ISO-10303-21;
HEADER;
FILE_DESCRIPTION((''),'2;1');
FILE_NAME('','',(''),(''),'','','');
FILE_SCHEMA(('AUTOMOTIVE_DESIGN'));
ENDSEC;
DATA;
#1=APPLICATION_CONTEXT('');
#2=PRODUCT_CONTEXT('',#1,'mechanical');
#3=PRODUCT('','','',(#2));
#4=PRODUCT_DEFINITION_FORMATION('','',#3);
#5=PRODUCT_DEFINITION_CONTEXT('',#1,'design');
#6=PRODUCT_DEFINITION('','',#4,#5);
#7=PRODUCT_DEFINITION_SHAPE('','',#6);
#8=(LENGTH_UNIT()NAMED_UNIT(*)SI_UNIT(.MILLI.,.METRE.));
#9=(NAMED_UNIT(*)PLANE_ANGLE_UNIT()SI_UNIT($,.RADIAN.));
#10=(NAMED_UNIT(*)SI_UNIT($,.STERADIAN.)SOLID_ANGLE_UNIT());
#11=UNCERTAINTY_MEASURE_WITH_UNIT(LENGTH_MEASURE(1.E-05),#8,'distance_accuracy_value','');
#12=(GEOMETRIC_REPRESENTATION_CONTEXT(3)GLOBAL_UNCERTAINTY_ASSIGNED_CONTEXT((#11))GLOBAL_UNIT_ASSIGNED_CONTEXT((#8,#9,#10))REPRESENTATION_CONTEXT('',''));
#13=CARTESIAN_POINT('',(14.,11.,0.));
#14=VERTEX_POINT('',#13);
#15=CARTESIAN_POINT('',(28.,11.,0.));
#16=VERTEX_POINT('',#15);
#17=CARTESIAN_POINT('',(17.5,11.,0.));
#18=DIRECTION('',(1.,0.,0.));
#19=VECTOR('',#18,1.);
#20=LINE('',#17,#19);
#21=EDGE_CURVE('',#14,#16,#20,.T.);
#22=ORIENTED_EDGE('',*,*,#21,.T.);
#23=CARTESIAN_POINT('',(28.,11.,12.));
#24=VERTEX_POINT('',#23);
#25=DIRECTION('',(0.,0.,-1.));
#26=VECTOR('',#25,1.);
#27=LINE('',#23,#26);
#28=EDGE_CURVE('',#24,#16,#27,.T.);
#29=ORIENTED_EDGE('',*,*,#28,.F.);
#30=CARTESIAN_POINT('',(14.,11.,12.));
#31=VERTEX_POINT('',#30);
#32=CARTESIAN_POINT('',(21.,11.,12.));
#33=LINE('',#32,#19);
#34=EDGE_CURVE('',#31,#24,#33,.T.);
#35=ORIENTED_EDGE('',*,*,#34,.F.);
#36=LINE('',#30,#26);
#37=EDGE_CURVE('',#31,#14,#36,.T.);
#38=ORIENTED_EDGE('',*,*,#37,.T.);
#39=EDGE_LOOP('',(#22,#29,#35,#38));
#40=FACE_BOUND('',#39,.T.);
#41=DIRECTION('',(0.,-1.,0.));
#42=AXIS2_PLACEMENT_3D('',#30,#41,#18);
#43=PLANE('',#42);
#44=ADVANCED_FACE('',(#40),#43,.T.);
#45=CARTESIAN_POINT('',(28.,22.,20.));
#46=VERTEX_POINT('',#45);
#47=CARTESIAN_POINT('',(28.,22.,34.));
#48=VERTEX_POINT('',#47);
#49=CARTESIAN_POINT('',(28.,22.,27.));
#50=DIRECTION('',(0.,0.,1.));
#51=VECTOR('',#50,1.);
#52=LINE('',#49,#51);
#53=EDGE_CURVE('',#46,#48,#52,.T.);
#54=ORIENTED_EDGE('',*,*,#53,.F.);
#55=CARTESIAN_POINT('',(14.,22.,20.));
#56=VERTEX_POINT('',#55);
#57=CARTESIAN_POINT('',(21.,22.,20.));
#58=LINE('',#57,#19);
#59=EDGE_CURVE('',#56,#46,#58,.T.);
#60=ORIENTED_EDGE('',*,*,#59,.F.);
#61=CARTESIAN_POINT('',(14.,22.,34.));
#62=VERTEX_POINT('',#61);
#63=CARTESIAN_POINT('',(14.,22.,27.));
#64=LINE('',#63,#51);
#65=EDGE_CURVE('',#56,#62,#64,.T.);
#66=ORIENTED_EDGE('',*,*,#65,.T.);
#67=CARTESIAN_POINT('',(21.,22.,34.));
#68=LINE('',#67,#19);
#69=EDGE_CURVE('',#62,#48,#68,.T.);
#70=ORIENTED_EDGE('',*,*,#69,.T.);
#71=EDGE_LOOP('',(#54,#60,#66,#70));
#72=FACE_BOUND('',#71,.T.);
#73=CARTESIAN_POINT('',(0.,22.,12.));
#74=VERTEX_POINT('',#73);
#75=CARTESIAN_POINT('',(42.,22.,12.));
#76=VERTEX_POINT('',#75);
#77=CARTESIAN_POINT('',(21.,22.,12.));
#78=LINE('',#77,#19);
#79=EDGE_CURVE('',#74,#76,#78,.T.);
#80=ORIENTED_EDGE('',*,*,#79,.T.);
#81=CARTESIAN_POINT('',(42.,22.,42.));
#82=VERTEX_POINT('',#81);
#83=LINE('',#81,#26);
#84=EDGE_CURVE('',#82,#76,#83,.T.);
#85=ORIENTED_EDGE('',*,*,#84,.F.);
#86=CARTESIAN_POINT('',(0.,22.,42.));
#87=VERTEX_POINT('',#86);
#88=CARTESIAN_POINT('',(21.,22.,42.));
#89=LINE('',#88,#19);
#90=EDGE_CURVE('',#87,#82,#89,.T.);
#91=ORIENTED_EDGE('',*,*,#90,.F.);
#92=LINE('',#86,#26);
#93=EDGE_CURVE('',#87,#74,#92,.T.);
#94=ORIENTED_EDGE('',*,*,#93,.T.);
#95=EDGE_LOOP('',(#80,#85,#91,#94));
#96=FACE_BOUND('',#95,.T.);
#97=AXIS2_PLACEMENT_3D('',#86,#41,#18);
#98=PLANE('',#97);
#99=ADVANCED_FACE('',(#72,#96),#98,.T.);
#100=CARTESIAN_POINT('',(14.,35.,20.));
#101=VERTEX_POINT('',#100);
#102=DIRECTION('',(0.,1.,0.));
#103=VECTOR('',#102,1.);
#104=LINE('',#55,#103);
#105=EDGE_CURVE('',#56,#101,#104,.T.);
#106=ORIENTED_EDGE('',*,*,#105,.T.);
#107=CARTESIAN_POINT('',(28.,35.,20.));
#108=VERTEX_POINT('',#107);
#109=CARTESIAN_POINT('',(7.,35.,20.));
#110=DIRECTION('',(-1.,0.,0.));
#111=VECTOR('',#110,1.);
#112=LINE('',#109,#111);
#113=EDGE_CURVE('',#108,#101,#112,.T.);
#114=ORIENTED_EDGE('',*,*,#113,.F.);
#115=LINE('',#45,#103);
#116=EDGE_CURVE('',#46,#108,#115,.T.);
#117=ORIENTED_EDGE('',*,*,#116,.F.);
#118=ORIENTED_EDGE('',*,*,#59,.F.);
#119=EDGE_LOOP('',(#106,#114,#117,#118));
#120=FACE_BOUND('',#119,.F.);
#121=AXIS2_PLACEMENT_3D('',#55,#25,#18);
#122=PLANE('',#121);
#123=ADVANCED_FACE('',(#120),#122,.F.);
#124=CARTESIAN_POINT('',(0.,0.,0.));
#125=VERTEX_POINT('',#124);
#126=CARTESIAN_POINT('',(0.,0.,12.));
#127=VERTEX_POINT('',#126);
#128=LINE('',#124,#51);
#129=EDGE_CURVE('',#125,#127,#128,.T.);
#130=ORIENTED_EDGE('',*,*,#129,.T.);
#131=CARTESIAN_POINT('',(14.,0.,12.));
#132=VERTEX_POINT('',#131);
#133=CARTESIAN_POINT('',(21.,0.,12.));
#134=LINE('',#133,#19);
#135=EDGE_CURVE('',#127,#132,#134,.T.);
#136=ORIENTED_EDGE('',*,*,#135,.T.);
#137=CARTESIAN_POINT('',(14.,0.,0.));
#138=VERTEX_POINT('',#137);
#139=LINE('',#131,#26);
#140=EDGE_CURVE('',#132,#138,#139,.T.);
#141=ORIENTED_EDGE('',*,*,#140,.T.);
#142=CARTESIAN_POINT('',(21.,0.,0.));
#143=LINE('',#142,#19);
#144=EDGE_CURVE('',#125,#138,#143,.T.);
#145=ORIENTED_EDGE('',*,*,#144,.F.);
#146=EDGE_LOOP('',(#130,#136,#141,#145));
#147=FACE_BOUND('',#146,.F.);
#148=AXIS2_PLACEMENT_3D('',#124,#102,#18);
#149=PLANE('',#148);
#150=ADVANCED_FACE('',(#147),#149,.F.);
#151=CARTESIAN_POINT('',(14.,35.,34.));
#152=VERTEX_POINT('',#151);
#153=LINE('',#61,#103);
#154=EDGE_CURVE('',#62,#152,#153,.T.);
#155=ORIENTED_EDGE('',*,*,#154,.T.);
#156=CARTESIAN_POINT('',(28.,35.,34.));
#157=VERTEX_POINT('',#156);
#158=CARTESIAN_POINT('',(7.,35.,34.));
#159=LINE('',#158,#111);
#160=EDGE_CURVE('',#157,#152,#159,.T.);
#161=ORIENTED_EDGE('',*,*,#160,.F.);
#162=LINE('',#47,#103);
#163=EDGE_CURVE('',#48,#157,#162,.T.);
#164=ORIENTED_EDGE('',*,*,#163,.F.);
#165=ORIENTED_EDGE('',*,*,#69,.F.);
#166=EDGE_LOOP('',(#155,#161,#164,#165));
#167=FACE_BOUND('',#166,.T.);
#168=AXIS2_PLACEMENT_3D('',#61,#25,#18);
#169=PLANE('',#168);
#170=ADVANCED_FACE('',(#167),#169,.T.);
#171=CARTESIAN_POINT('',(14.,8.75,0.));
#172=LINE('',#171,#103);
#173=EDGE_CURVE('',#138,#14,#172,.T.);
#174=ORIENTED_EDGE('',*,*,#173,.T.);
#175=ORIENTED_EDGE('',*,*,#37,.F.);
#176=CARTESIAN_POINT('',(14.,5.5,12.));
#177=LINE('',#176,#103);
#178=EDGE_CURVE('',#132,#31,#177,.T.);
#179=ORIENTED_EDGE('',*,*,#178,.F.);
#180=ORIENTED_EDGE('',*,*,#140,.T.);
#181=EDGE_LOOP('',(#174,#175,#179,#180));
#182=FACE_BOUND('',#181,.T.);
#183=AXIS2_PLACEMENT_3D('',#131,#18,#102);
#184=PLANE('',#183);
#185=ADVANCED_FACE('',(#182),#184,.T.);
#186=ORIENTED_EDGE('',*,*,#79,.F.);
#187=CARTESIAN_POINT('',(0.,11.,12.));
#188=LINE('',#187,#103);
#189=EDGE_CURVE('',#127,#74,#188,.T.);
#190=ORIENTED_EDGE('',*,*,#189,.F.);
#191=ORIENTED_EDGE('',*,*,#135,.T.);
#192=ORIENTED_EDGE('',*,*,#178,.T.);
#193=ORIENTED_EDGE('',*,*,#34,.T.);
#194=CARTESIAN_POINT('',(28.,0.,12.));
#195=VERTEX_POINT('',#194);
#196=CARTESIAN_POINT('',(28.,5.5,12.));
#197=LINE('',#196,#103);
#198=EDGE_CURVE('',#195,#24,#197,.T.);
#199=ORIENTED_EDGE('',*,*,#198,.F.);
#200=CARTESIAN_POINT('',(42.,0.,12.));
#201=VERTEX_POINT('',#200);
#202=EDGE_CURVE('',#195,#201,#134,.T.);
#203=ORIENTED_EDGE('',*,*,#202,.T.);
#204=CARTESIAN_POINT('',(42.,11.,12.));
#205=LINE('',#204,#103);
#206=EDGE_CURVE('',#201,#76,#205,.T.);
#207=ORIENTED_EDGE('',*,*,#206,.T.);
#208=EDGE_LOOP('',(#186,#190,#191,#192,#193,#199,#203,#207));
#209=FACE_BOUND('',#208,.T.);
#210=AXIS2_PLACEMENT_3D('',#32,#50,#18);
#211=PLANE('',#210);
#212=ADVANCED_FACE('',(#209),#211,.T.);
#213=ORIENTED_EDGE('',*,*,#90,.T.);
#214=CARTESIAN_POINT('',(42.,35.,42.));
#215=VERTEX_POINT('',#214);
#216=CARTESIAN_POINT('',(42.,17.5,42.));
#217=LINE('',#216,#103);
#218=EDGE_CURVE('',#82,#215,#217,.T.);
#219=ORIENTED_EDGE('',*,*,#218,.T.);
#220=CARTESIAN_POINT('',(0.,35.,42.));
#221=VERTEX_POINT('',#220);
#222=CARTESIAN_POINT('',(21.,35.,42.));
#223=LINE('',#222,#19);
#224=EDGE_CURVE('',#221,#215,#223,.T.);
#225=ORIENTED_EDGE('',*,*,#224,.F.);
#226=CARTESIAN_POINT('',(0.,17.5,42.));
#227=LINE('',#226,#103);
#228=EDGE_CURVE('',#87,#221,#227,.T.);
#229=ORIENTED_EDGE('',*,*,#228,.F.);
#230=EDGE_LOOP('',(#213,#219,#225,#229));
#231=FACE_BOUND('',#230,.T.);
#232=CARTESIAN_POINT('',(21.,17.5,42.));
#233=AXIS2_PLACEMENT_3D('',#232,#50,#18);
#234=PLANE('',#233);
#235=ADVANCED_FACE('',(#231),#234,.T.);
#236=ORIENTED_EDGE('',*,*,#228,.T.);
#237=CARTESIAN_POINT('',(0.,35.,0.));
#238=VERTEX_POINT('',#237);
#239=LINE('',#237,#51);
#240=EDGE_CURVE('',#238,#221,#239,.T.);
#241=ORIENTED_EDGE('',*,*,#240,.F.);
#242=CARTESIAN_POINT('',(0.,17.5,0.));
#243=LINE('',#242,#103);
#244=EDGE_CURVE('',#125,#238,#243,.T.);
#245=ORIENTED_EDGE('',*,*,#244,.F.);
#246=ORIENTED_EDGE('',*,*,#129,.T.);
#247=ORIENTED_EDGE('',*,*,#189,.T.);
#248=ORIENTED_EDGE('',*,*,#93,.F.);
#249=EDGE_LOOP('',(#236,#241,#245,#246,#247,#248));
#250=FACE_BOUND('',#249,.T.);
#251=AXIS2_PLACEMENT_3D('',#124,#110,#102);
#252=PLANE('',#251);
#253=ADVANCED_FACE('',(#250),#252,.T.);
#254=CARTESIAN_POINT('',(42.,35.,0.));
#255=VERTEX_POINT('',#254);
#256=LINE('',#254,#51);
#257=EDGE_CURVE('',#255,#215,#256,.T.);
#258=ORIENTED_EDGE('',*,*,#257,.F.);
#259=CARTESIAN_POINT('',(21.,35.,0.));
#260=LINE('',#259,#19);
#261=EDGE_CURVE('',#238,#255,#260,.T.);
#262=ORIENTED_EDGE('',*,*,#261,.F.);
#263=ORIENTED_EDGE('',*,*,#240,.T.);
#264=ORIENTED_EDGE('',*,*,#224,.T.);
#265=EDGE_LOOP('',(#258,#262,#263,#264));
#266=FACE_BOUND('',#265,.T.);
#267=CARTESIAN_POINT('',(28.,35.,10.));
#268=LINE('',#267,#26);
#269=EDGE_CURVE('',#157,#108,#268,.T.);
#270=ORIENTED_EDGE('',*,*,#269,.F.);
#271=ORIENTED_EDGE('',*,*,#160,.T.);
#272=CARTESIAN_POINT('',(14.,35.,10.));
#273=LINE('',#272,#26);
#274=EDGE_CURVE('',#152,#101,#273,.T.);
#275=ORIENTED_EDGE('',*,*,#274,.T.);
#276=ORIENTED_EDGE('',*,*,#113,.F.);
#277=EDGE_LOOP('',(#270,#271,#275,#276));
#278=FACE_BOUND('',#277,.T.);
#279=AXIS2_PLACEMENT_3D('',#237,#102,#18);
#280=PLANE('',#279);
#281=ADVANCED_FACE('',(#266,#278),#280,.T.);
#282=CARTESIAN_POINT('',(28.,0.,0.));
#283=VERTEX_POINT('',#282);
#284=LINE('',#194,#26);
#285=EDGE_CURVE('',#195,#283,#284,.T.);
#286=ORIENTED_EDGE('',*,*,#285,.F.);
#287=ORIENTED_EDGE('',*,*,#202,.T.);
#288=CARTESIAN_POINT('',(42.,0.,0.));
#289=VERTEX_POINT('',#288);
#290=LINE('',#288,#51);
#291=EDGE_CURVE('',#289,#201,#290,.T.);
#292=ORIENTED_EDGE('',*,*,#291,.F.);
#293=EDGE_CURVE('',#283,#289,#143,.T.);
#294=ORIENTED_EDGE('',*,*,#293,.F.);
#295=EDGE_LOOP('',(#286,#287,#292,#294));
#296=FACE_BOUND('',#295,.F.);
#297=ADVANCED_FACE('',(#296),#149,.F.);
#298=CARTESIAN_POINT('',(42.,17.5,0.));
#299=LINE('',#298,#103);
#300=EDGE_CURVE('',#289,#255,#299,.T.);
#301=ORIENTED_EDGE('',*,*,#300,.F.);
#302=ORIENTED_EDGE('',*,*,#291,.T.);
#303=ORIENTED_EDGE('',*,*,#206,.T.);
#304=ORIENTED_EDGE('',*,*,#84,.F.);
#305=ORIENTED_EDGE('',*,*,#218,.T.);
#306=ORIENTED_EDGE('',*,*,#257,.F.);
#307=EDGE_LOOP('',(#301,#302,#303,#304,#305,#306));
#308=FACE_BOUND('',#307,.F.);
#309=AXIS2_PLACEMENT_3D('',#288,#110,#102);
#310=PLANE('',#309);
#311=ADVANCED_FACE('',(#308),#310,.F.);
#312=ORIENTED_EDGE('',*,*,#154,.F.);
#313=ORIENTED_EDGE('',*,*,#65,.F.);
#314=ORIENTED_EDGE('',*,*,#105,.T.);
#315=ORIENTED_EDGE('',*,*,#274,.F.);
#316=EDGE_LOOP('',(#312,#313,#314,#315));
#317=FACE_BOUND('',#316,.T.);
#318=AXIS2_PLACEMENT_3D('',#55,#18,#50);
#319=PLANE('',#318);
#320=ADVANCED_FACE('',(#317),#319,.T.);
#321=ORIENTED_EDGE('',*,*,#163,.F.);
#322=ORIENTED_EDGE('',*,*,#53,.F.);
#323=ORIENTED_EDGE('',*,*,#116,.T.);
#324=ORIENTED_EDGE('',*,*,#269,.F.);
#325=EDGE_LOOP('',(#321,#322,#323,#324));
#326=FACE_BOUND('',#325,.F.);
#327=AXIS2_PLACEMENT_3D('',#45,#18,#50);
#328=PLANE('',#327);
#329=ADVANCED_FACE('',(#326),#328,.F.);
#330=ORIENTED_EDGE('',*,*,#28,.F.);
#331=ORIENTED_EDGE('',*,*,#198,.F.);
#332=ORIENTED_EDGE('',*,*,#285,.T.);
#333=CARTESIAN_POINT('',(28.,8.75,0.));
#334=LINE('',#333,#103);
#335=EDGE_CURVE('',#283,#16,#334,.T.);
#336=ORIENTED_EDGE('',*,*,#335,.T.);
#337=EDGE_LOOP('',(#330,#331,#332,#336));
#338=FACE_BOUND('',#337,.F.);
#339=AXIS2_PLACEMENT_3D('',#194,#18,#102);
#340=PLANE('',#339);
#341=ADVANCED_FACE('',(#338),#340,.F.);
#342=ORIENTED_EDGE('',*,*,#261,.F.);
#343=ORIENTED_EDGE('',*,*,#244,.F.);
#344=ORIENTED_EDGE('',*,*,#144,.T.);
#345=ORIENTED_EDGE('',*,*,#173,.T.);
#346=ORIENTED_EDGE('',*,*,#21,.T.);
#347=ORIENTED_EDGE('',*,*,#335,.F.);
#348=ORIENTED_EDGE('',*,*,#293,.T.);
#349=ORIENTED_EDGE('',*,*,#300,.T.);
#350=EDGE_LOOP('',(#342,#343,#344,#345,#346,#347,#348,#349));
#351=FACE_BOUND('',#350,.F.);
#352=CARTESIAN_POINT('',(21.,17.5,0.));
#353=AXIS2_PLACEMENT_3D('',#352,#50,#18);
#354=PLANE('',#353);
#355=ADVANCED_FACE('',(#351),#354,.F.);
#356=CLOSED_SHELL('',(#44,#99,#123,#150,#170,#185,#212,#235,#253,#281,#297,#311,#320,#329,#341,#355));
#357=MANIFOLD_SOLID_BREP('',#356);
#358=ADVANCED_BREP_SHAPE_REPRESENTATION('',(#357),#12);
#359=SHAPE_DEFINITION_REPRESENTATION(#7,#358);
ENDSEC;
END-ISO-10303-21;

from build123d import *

# Parameters (mm, degrees)
F0_W     = 42
F0_H     = 35
F1_DEPTH = 42
F2_W     = 42
F2_H     = 22
F3_DEPTH = 30
F4_W     = 14
F4_H     = 11
F5_DEPTH = 12.001
F6_W     = 14
F6_H     = 14
F7_DEPTH = 13.001


with BuildPart() as f1:
    # F0 (on Top) → F1 (new body)
    with BuildSketch(Plane.XY):
        with Locations((21, 17.5)):
            Rectangle(F0_W, F0_H)
    extrude(amount=F1_DEPTH)

    # F2 (on face) → F3 (cut)
    with BuildSketch(Plane.XY.offset(42)):
        with Locations((21, 11)):
            Rectangle(F2_W, F2_H)
    extrude(amount=-F3_DEPTH, mode=Mode.SUBTRACT)

    # F4 (on face) → F5 (cut, through all)
    with BuildSketch(Plane.XY.offset(12)):
        with Locations((21, 5.5)):
            Rectangle(F4_W, F4_H)
    extrude(amount=-F5_DEPTH, mode=Mode.SUBTRACT)

    # F6 (on face) → F7 (cut, through all)
    with BuildSketch(Plane.XZ.offset(-22)):
        with Locations((21, 27)):
            Rectangle(F6_W, F6_H)
    extrude(amount=-F7_DEPTH, mode=Mode.SUBTRACT)


solid = f1.part
